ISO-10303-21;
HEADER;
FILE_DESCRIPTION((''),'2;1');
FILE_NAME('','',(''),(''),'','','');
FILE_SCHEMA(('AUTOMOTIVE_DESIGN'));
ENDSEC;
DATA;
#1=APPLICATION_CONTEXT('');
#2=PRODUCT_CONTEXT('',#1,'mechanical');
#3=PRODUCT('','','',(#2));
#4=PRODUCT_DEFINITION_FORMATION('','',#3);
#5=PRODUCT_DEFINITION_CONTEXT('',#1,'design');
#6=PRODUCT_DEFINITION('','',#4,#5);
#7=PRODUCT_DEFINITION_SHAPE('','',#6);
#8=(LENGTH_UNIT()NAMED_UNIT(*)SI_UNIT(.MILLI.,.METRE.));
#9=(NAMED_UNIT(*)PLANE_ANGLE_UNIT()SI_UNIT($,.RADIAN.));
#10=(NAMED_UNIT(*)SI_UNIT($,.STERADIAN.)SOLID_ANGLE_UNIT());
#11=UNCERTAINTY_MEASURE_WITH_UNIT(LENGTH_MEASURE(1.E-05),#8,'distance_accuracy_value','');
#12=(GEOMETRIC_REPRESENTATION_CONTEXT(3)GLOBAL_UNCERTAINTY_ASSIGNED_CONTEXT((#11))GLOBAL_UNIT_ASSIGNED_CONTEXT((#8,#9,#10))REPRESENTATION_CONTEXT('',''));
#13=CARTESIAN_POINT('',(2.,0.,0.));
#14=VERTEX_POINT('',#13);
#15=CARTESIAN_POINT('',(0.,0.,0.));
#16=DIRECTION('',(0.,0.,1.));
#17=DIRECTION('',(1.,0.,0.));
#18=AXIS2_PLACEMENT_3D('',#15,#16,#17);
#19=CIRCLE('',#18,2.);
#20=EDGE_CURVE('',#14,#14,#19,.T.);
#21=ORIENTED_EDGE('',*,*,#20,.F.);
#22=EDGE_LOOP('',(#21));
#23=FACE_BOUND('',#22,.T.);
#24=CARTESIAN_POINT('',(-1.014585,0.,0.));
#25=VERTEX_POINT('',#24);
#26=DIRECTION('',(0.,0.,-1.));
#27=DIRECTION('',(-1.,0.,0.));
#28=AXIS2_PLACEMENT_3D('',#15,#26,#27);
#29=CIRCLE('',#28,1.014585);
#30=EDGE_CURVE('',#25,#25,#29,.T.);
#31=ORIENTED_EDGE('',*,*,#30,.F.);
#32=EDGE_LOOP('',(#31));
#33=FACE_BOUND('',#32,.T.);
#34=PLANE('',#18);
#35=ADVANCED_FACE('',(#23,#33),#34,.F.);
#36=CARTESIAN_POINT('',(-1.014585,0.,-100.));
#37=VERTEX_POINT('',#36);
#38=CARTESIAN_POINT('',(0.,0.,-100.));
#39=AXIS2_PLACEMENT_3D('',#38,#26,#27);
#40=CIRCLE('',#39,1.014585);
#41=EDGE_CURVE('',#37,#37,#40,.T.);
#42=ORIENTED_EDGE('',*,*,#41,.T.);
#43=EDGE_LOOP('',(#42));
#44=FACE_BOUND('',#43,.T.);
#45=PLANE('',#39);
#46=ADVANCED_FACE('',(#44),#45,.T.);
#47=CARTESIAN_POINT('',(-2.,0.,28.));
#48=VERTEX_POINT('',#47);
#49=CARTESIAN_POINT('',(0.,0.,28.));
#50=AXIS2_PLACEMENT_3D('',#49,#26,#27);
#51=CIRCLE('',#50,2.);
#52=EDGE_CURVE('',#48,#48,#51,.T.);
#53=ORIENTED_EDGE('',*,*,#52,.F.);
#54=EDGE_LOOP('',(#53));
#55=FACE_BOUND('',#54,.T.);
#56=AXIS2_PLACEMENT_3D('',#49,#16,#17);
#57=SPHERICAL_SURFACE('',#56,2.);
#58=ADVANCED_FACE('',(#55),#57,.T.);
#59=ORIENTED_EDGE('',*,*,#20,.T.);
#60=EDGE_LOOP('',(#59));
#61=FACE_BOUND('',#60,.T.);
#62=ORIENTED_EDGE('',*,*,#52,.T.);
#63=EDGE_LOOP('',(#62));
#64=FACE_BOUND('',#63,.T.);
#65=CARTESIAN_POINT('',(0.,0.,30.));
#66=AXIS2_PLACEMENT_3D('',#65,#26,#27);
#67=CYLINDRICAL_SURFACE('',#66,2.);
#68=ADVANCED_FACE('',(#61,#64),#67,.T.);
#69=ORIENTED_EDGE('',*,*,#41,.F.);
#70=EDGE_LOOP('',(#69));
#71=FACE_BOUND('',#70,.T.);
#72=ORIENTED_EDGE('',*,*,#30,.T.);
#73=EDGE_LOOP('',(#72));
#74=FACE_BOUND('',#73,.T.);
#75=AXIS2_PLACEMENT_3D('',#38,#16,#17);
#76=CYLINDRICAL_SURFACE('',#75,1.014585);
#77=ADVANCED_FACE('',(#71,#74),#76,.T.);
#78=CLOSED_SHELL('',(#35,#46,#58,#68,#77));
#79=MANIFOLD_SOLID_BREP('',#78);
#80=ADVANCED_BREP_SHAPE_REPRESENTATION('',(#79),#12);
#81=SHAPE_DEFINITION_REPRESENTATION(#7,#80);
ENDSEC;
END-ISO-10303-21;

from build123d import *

# Parameters (mm, degrees)
SKETCH1_R           = 2
BOSS_EXTRUDE1_DEPTH = 30
FILLET1_R           = 2
SKETCH2_R           = 1.014585346
BOSS_EXTRUDE2_DEPTH = 100


with BuildPart() as part:
    # Sketch1 → Boss-Extrude1 (new body)
    with BuildSketch(Plane.XY):
        Circle(SKETCH1_R)
    extrude(amount=BOSS_EXTRUDE1_DEPTH)

    # Fillet1
    fillet1_edges = [part.edges().sort_by_distance(p)[0] for p in [
        (-2, 0, 30),
    ]]
    fillet(fillet1_edges, radius=FILLET1_R)

    # Sketch2 → Boss-Extrude2 (add)
    with BuildSketch(Plane(origin=(0, 0, 0), x_dir=(-1, 0, 0), z_dir=(0, 0, -1))):
        Circle(SKETCH2_R)
    extrude(amount=BOSS_EXTRUDE2_DEPTH)


solid = part.part
